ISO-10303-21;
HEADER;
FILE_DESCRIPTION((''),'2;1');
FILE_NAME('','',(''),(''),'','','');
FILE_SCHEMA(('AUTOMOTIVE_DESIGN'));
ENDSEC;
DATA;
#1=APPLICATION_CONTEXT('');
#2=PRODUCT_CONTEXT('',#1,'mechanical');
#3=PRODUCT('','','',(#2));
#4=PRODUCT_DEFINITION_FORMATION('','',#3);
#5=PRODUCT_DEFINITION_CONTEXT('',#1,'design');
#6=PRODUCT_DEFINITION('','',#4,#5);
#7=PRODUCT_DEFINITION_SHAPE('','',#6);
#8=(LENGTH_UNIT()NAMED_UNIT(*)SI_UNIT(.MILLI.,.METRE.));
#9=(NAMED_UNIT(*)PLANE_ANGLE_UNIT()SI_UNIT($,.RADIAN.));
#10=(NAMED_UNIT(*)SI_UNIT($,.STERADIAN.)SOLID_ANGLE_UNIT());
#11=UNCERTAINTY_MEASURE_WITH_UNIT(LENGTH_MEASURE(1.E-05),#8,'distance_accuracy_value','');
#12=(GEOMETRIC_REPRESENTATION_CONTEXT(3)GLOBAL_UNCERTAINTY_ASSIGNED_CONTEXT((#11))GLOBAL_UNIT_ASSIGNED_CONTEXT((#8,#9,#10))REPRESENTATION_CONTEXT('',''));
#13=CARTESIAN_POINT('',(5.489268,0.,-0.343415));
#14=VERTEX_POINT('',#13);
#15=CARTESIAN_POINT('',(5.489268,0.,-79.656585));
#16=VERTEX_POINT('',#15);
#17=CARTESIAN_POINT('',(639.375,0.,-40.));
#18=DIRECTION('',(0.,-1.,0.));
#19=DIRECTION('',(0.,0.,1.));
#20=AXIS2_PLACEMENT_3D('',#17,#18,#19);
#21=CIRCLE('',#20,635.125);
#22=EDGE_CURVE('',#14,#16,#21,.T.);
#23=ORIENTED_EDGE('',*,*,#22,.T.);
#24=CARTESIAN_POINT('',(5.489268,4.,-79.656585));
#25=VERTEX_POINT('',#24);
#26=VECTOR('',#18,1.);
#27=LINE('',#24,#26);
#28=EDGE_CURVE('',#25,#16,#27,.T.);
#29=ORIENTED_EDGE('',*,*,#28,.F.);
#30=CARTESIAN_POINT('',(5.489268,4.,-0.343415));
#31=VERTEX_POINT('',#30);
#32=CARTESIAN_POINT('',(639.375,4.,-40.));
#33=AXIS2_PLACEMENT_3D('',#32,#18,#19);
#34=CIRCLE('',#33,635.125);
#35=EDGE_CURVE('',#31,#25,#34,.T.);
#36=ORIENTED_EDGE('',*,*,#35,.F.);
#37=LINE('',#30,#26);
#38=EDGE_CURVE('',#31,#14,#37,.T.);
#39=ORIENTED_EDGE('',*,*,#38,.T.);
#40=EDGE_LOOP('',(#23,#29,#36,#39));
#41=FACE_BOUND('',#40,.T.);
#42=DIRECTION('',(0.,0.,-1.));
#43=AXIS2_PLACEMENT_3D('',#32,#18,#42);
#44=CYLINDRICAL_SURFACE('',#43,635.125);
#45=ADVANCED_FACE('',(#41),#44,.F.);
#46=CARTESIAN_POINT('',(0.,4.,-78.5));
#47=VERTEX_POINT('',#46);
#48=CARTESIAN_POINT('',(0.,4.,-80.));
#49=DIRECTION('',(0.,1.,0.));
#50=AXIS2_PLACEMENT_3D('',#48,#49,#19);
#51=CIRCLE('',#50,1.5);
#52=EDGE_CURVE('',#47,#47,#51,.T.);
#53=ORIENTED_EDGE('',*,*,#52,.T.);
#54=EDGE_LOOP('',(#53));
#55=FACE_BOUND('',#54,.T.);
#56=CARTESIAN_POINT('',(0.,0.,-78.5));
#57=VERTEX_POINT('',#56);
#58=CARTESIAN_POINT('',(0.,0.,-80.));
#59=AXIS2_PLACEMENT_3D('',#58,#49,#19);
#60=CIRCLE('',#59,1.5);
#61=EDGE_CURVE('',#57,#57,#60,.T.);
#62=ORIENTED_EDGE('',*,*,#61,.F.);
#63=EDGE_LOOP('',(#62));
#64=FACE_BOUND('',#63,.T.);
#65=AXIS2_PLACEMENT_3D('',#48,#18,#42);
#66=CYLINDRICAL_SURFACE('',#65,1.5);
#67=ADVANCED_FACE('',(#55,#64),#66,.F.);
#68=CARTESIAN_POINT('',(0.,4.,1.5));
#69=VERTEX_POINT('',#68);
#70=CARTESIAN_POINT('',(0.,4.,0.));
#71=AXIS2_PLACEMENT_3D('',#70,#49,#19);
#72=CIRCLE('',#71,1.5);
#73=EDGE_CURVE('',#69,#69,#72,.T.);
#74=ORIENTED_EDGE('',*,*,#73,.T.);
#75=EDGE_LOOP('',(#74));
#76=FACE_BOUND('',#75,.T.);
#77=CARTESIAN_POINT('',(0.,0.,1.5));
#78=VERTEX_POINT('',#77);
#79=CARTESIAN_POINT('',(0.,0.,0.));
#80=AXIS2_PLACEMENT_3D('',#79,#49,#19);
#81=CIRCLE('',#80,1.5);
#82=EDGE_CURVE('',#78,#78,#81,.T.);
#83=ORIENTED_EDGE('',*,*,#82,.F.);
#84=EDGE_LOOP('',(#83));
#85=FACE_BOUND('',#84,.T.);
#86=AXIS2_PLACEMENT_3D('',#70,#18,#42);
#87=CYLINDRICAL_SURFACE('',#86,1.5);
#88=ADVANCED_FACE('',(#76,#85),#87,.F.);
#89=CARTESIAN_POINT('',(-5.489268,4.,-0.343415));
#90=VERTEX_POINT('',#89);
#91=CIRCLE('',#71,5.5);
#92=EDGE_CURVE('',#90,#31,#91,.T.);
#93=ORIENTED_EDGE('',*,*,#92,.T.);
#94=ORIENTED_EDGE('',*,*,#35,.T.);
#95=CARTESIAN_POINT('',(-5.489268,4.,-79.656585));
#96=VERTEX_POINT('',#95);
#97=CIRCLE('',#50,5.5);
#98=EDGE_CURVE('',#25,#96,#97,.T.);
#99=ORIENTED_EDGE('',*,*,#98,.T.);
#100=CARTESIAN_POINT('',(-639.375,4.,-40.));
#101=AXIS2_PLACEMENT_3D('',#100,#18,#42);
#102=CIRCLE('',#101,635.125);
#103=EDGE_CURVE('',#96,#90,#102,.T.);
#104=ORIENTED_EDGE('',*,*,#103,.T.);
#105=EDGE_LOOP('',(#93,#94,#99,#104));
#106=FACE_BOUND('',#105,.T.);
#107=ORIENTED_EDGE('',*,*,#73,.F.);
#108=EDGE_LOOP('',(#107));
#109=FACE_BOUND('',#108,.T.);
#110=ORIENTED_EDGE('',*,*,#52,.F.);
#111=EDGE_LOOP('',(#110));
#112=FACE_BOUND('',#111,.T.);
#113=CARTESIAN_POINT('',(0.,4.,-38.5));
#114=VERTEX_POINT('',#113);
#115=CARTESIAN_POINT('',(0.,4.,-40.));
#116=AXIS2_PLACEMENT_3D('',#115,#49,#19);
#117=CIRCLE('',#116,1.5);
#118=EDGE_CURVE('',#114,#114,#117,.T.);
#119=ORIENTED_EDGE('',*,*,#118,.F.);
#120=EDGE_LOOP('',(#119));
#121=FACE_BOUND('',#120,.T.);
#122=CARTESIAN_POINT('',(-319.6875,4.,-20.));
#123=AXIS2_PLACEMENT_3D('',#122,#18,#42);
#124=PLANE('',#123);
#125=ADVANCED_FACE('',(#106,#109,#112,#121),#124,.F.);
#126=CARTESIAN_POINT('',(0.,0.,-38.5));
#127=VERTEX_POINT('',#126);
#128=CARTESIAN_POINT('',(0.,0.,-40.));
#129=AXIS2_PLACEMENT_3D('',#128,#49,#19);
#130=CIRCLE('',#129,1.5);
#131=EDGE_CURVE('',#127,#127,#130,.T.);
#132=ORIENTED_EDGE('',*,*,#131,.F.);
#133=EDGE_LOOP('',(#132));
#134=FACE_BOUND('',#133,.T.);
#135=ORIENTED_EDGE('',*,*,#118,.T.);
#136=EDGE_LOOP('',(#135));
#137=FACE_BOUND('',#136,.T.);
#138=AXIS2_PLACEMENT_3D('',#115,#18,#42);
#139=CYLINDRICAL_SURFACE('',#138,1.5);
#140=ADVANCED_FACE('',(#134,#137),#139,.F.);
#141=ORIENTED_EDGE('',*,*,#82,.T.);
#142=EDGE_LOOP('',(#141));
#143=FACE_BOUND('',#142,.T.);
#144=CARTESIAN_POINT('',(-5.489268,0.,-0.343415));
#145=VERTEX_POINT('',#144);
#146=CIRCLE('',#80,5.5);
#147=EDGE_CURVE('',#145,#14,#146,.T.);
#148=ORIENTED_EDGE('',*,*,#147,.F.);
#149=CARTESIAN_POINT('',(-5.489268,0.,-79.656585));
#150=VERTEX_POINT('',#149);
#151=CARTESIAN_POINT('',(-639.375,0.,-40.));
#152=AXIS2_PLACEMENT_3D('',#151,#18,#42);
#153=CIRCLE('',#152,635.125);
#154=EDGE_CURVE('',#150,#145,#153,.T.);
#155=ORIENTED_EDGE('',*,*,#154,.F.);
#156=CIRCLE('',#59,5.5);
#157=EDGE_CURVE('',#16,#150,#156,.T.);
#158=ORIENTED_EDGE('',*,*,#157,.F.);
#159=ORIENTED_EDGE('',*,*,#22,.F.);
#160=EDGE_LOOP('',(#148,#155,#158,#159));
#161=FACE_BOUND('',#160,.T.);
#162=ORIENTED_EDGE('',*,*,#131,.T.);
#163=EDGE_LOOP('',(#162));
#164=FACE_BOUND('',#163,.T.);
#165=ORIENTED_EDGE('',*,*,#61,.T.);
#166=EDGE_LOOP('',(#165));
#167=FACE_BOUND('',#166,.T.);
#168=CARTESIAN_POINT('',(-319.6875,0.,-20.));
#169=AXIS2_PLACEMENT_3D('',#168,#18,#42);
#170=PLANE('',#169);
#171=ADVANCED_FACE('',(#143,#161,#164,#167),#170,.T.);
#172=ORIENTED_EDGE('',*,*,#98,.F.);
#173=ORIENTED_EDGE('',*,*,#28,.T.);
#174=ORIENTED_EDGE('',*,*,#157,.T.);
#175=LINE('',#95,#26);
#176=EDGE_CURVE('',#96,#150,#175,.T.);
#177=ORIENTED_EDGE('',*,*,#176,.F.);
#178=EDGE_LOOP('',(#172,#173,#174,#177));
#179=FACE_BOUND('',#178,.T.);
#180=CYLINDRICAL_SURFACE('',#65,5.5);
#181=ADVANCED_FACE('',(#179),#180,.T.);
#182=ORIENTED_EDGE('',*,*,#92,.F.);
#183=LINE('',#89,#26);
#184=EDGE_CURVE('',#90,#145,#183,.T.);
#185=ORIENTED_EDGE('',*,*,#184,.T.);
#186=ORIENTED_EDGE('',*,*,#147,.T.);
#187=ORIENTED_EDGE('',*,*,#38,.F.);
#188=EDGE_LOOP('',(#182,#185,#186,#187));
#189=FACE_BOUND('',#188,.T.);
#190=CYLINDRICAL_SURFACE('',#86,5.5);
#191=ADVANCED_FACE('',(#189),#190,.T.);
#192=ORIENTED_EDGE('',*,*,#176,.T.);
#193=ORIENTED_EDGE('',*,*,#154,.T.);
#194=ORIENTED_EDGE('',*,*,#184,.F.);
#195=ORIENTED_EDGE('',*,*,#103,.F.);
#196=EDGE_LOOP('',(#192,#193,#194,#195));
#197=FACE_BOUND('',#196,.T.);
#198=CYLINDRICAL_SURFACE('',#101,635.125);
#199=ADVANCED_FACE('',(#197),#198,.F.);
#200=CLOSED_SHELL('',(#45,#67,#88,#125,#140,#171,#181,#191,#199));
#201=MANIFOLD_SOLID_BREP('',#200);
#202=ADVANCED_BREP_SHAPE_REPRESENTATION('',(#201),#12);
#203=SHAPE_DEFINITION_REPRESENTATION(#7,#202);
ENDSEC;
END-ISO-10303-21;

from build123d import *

# Parameters (mm, degrees)
SKETCH1_R           = 1.5
BOSS_EXTRUDE1_DEPTH = 4


with BuildPart() as part:
    # Sketch1 → Boss-Extrude1 (new body)
    with BuildSketch(Plane(origin=(0, 0, 0), x_dir=(1, 0, 0), z_dir=(0, 1, 0))):
        with BuildLine():
            ThreePointArc((-5.489268293, 0.343414634), (0, -5.5), (5.489268293, 0.343414634))
            ThreePointArc((5.489268293, 0.343414634), (4.25, 40), (5.489268293, 79.656585366))
            ThreePointArc((5.489268293, 79.656585366), (0, 85.5), (-5.489268293, 79.656585366))
            ThreePointArc((-5.489268293, 79.656585366), (-4.25, 40), (-5.489268293, 0.343414634))
        make_face()
        Circle(SKETCH1_R, mode=Mode.SUBTRACT)
        with Locations((0, 80)):
            Circle(SKETCH1_R, mode=Mode.SUBTRACT)
        with Locations((0, 40)):
            Circle(SKETCH1_R, mode=Mode.SUBTRACT)
    extrude(amount=BOSS_EXTRUDE1_DEPTH)


solid = part.part
